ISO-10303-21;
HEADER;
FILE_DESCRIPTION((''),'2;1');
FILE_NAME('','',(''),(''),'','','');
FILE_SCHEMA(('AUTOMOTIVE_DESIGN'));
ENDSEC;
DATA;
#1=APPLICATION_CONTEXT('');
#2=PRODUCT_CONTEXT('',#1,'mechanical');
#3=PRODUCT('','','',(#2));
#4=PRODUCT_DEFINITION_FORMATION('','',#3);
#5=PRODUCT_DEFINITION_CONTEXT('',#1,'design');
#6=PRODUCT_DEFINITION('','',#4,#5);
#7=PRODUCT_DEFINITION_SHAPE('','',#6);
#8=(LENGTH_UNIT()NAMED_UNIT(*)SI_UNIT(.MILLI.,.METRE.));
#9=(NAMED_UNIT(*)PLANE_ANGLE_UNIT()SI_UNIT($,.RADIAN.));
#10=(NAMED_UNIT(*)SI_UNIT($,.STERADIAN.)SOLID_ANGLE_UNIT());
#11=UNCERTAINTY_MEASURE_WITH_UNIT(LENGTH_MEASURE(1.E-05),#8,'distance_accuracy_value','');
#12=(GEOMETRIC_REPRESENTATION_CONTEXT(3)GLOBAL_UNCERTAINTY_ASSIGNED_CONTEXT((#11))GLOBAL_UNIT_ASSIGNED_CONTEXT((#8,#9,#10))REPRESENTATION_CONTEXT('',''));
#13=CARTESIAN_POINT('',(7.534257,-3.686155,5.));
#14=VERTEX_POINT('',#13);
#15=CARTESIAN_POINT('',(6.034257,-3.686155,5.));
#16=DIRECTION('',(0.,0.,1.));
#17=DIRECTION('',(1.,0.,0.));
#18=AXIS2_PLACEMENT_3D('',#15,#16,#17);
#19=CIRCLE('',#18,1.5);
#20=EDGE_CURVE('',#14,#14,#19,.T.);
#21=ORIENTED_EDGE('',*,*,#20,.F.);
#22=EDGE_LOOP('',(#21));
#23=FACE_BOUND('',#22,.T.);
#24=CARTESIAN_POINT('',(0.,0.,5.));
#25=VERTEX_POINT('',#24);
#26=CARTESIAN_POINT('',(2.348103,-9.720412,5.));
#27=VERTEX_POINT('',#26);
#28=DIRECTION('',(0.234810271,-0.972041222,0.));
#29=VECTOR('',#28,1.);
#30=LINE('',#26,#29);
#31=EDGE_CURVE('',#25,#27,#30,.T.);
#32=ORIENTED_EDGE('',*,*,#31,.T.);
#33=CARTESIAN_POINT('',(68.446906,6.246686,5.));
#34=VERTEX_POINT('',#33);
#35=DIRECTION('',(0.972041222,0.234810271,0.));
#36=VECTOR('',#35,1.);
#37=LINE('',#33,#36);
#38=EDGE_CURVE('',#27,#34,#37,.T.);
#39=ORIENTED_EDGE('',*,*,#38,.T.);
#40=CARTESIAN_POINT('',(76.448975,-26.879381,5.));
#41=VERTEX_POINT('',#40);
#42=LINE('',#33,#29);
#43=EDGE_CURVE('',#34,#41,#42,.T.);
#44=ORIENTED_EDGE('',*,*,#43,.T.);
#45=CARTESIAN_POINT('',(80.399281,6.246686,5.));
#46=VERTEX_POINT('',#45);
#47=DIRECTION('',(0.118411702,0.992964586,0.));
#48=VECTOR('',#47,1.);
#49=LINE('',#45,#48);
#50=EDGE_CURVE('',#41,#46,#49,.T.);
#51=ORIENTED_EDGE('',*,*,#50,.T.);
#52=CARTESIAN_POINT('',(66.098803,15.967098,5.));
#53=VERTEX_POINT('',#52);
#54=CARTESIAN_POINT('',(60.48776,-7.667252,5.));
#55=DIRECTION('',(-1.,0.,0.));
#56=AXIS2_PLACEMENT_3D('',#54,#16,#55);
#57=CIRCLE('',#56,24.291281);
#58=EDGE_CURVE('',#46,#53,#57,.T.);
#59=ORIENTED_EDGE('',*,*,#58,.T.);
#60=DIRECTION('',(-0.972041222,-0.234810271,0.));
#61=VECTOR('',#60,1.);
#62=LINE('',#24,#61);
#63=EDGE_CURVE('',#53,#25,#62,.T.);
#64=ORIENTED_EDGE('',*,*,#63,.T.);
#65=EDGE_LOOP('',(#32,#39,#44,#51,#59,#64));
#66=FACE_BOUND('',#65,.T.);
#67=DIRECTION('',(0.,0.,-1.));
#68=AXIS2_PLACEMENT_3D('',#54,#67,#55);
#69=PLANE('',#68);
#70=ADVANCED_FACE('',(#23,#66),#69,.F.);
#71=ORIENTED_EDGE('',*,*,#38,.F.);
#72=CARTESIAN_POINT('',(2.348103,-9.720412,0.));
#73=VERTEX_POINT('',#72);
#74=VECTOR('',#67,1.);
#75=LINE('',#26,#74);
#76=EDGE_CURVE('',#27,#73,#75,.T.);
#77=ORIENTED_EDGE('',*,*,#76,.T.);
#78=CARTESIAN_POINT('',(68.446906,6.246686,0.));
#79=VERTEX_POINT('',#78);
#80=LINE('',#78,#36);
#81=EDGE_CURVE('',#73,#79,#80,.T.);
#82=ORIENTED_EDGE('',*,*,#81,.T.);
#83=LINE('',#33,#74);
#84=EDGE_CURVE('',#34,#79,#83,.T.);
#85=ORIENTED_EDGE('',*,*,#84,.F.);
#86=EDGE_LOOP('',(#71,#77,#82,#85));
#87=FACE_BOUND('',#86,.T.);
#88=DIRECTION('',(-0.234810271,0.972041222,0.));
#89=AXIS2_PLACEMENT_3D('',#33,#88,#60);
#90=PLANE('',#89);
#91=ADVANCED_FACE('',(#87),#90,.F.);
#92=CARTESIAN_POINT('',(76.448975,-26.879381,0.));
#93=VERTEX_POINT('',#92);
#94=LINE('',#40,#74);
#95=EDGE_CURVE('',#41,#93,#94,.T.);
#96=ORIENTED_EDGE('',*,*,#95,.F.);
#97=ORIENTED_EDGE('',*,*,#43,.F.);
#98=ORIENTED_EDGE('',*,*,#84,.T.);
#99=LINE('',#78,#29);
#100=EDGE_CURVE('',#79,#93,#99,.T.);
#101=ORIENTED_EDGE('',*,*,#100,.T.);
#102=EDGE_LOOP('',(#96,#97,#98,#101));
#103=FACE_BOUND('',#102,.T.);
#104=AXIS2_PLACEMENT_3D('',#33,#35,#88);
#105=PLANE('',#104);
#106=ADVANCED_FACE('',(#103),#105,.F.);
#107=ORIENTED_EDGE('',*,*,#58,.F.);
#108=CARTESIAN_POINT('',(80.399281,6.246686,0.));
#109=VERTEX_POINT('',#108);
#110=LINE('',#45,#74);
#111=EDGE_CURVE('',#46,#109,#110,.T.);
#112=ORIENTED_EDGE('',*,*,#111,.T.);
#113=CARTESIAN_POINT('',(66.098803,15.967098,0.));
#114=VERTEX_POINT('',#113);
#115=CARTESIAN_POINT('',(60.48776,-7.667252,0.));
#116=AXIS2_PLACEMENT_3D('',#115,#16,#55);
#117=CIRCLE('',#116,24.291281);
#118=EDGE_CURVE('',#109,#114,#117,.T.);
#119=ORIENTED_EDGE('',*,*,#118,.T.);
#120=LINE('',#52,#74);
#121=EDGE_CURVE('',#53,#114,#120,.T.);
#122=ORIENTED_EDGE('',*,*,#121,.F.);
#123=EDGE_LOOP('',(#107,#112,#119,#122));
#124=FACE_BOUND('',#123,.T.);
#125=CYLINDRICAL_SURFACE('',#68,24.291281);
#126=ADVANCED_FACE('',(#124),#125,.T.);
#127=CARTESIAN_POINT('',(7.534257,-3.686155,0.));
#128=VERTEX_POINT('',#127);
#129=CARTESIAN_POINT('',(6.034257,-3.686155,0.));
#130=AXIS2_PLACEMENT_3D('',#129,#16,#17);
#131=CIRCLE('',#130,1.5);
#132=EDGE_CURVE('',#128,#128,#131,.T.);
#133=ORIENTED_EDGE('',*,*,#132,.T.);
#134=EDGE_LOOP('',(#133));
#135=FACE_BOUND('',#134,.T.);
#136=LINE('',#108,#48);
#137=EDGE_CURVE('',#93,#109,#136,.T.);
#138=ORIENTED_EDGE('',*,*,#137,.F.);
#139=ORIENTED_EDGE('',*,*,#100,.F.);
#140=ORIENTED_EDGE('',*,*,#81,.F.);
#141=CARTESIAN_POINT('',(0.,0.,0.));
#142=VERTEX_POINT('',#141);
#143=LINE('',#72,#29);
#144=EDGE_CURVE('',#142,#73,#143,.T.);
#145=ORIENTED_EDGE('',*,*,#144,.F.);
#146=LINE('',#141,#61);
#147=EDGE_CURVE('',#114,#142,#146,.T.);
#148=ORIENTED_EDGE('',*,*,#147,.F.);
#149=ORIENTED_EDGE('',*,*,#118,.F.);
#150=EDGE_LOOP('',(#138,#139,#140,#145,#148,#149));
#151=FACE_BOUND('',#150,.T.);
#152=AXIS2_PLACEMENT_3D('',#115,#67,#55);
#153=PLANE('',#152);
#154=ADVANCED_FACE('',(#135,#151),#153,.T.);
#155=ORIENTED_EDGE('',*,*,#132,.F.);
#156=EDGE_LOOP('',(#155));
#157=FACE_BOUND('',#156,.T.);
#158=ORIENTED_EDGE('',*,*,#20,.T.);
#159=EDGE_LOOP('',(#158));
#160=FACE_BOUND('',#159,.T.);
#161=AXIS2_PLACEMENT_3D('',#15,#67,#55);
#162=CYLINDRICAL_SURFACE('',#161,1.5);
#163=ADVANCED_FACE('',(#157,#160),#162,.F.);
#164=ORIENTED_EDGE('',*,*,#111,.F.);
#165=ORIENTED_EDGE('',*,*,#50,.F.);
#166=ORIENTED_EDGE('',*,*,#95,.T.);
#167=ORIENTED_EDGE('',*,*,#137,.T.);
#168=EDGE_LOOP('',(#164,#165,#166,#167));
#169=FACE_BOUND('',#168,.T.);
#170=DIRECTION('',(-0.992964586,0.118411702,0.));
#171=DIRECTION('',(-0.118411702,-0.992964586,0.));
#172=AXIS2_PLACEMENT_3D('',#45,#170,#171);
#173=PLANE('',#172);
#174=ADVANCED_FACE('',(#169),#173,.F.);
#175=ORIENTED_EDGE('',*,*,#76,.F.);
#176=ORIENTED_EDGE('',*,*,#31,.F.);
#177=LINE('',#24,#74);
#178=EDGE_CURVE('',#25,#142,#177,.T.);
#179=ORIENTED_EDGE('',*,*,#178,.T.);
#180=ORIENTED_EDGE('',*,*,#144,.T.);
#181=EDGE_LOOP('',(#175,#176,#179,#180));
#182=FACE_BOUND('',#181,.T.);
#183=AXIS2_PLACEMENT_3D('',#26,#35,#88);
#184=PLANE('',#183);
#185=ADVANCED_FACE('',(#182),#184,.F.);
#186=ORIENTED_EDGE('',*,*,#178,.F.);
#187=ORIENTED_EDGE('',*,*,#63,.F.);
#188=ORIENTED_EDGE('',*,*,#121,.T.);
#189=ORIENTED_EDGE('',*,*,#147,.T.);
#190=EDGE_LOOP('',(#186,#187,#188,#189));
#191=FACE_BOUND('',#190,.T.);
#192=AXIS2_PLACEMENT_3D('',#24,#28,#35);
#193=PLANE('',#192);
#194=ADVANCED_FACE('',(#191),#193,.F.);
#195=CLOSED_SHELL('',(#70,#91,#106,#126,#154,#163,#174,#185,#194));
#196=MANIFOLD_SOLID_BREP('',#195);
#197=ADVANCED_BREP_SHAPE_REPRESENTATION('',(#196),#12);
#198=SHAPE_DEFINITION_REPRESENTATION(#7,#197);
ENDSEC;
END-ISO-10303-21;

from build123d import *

# Parameters (mm, degrees)
ESQUISSE1_R        = 1.5
BOSS_EXTRU_1_DEPTH = 5


with BuildPart() as part:
    # Esquisse1 → Boss.-Extru.1 (new body)
    with BuildSketch(Plane.XY):
        with BuildLine():
            Line((80.399280561, 6.246686232), (76.448974575, -26.879380538))
            Line((76.448974575, -26.879380538), (68.446905782, 6.246686232))
            Line((68.446905782, 6.246686232), (2.348102713, -9.720412216))
            Line((2.348102713, -9.720412216), (0, 0))
            Line((0, 0), (66.098803069, 15.967098448))
            ThreePointArc((66.098803069, 15.967098448), (74.143232039, 12.422407246), (80.399280561, 6.246686232))
        make_face()
        with Locations((6.034257464, -3.686154752)):
            Circle(ESQUISSE1_R, mode=Mode.SUBTRACT)
    extrude(amount=BOSS_EXTRU_1_DEPTH)


solid = part.part
